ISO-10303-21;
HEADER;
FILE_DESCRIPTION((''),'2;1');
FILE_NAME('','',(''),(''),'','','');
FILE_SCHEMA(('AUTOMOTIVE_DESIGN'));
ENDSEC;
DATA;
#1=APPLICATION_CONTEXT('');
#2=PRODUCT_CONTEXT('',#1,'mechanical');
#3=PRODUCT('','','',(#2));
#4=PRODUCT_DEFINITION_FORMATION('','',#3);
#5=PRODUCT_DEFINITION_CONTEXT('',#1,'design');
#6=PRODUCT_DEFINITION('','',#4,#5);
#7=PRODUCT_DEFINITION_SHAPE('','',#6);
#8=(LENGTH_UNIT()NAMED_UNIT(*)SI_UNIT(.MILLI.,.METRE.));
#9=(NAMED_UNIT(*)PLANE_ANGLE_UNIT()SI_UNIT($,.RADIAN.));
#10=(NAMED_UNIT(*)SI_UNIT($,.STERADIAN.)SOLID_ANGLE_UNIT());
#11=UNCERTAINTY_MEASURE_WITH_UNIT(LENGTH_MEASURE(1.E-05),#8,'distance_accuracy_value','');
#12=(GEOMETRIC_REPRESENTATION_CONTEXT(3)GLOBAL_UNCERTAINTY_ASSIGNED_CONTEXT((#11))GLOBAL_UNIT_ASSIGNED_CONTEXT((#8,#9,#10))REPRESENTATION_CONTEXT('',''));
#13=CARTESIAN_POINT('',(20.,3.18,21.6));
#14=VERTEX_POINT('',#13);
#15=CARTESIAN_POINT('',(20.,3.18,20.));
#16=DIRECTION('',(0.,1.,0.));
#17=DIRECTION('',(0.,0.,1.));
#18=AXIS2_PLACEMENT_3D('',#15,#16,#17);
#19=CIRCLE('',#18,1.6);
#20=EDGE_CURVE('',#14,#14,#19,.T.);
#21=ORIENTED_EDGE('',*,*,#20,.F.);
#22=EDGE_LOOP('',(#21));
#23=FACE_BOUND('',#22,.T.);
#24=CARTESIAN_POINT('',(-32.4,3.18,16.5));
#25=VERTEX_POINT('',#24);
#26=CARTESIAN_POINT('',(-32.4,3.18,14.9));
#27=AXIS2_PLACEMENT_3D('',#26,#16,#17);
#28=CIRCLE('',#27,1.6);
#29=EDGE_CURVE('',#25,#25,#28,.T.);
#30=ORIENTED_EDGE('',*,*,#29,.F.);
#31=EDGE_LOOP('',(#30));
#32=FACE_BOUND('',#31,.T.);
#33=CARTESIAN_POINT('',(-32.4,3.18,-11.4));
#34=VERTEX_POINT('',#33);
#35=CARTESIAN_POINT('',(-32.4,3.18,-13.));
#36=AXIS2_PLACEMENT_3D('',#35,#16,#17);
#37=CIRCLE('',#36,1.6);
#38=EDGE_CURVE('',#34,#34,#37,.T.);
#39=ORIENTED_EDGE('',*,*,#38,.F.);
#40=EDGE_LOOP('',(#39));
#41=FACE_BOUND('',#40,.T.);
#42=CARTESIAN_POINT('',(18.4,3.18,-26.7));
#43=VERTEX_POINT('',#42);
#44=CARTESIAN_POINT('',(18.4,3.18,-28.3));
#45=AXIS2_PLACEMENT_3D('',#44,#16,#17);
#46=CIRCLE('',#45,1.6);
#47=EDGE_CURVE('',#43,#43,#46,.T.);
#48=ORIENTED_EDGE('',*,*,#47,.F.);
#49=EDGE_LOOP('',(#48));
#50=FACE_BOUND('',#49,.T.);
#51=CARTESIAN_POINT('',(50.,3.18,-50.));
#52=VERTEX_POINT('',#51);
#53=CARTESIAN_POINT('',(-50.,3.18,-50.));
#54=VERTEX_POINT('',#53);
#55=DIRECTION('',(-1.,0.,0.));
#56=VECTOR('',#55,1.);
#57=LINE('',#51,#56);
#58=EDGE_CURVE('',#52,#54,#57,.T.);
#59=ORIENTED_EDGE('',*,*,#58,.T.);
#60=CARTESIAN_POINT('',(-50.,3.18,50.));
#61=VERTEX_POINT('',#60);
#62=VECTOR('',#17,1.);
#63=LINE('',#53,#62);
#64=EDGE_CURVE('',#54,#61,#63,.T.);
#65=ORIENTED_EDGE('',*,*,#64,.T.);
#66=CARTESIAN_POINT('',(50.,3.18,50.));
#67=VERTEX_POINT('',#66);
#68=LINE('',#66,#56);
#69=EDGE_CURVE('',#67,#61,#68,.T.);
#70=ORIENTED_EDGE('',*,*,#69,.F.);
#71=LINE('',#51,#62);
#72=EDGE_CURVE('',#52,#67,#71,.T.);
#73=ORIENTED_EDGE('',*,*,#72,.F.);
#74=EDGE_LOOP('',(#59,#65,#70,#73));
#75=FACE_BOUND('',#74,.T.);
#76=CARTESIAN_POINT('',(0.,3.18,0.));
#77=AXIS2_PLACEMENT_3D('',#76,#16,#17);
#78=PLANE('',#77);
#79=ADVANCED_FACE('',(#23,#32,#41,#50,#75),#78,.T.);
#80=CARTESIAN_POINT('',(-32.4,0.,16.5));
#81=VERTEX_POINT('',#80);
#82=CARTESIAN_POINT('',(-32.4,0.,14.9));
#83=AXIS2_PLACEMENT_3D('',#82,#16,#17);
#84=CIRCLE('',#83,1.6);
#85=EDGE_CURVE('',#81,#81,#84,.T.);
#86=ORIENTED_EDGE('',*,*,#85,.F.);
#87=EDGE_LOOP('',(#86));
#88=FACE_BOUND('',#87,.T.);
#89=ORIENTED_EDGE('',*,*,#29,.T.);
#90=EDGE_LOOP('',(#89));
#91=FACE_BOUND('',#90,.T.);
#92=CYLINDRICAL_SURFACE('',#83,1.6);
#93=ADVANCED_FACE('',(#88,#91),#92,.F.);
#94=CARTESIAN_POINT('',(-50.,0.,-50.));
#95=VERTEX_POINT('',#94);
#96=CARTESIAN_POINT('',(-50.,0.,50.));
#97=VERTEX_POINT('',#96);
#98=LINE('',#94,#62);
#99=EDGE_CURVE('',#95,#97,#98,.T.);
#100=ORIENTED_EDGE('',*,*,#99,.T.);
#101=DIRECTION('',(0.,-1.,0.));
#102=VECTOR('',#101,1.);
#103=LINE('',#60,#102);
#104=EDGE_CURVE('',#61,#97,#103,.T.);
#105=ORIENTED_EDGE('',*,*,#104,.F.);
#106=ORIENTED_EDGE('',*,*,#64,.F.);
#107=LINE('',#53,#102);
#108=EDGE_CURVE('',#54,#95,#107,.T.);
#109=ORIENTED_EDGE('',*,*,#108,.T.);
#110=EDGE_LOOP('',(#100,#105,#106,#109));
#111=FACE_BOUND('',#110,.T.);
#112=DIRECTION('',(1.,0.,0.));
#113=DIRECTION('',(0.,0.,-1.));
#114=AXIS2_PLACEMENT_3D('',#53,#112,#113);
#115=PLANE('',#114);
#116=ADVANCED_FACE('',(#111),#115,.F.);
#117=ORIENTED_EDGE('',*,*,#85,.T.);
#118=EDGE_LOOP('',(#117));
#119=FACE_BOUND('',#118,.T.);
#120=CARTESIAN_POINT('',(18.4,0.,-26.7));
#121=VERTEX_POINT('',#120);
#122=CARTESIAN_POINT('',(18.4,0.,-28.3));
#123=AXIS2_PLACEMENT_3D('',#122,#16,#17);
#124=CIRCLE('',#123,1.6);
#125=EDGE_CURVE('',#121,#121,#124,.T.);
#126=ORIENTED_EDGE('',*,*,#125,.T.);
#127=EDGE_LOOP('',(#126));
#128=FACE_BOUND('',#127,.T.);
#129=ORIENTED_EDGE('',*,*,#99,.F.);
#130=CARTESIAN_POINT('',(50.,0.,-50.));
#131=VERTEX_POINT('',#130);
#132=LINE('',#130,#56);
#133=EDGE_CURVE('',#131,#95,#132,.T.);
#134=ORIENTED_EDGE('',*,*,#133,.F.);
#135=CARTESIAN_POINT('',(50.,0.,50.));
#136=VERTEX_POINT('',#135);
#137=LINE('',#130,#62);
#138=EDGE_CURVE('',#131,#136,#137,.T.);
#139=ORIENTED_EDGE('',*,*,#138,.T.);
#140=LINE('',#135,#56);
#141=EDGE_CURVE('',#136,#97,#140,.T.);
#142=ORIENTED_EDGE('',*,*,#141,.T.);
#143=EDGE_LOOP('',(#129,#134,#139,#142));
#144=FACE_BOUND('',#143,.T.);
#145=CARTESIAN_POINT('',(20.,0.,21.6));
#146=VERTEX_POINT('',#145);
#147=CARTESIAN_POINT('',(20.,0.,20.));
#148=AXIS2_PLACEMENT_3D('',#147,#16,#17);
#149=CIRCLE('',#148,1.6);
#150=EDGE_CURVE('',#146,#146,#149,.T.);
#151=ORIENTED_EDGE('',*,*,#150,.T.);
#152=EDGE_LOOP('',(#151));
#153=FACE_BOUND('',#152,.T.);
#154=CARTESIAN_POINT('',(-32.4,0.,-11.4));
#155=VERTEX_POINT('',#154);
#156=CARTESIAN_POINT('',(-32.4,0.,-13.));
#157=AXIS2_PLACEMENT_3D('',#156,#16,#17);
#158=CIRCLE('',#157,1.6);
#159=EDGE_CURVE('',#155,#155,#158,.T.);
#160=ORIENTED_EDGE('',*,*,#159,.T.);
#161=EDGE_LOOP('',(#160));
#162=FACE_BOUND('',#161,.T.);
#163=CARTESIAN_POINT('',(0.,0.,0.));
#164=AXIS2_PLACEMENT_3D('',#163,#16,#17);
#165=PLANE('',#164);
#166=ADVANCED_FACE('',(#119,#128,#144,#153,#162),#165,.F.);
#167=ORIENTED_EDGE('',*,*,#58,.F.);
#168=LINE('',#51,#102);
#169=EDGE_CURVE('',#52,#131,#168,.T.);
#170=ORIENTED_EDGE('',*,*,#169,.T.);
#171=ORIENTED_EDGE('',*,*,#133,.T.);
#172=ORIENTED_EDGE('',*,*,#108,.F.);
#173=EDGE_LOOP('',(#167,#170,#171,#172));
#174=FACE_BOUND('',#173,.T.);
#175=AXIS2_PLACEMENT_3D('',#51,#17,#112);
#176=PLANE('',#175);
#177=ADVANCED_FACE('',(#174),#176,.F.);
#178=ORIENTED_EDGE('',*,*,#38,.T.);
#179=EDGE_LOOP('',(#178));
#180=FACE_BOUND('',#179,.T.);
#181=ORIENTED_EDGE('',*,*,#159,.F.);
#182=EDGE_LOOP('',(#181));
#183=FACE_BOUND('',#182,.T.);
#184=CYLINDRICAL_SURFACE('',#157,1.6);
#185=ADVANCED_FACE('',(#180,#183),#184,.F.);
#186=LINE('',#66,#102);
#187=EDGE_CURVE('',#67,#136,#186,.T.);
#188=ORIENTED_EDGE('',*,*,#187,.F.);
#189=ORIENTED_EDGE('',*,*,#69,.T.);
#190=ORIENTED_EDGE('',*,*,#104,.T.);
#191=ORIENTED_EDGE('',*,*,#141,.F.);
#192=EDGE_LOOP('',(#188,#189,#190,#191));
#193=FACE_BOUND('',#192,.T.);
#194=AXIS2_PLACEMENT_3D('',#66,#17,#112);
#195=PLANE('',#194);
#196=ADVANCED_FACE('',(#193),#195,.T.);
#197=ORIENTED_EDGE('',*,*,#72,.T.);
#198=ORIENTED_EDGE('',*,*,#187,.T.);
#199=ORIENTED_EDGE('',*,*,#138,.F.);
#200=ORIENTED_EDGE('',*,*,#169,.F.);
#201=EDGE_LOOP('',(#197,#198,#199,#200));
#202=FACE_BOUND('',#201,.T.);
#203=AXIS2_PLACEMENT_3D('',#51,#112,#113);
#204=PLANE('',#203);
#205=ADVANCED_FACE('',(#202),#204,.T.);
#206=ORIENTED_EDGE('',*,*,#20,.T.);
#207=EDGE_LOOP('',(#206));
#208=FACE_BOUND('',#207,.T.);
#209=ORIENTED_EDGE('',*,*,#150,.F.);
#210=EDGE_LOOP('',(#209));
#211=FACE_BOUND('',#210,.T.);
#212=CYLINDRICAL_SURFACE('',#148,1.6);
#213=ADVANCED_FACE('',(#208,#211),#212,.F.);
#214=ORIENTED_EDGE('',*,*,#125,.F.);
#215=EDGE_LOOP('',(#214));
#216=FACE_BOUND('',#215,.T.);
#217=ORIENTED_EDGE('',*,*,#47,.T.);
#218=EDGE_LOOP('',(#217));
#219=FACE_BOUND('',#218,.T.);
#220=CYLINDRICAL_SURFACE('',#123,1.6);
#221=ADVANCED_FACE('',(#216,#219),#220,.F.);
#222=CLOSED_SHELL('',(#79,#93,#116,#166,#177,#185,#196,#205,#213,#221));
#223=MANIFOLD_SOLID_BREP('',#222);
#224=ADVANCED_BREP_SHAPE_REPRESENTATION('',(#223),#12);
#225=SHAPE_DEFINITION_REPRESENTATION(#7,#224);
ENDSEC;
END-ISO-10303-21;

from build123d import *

# Parameters (mm, degrees)
SKETCH1_W           = 100
SKETCH1_H           = 100
BOSS_EXTRUDE1_DEPTH = 3.18
SKETCH2_R           = 1.6
CUT_EXTRUDE1_DEPTH  = 4.18


with BuildPart() as part:
    # Sketch1 → Boss-Extrude1 (new body)
    with BuildSketch(Plane(origin=(0, 0, 0), x_dir=(1, 0, 0), z_dir=(0, 1, 0))):
        Rectangle(SKETCH1_W, SKETCH1_H)
    extrude(amount=BOSS_EXTRUDE1_DEPTH)

    # Sketch2 → Cut-Extrude1 (cut, through all)
    with BuildSketch(Plane(origin=(0, 3.18, 0), x_dir=(1, 0, 0), z_dir=(0, 1, 0))):
        with Locations((-32.4, 13)):
            Circle(SKETCH2_R)
        with Locations((-32.4, -14.9)):
            Circle(SKETCH2_R)
        with Locations((18.4, 28.3)):
            Circle(SKETCH2_R)
        with Locations((20, -20)):
            Circle(SKETCH2_R)
    extrude(amount=-CUT_EXTRUDE1_DEPTH, mode=Mode.SUBTRACT)


solid = part.part
